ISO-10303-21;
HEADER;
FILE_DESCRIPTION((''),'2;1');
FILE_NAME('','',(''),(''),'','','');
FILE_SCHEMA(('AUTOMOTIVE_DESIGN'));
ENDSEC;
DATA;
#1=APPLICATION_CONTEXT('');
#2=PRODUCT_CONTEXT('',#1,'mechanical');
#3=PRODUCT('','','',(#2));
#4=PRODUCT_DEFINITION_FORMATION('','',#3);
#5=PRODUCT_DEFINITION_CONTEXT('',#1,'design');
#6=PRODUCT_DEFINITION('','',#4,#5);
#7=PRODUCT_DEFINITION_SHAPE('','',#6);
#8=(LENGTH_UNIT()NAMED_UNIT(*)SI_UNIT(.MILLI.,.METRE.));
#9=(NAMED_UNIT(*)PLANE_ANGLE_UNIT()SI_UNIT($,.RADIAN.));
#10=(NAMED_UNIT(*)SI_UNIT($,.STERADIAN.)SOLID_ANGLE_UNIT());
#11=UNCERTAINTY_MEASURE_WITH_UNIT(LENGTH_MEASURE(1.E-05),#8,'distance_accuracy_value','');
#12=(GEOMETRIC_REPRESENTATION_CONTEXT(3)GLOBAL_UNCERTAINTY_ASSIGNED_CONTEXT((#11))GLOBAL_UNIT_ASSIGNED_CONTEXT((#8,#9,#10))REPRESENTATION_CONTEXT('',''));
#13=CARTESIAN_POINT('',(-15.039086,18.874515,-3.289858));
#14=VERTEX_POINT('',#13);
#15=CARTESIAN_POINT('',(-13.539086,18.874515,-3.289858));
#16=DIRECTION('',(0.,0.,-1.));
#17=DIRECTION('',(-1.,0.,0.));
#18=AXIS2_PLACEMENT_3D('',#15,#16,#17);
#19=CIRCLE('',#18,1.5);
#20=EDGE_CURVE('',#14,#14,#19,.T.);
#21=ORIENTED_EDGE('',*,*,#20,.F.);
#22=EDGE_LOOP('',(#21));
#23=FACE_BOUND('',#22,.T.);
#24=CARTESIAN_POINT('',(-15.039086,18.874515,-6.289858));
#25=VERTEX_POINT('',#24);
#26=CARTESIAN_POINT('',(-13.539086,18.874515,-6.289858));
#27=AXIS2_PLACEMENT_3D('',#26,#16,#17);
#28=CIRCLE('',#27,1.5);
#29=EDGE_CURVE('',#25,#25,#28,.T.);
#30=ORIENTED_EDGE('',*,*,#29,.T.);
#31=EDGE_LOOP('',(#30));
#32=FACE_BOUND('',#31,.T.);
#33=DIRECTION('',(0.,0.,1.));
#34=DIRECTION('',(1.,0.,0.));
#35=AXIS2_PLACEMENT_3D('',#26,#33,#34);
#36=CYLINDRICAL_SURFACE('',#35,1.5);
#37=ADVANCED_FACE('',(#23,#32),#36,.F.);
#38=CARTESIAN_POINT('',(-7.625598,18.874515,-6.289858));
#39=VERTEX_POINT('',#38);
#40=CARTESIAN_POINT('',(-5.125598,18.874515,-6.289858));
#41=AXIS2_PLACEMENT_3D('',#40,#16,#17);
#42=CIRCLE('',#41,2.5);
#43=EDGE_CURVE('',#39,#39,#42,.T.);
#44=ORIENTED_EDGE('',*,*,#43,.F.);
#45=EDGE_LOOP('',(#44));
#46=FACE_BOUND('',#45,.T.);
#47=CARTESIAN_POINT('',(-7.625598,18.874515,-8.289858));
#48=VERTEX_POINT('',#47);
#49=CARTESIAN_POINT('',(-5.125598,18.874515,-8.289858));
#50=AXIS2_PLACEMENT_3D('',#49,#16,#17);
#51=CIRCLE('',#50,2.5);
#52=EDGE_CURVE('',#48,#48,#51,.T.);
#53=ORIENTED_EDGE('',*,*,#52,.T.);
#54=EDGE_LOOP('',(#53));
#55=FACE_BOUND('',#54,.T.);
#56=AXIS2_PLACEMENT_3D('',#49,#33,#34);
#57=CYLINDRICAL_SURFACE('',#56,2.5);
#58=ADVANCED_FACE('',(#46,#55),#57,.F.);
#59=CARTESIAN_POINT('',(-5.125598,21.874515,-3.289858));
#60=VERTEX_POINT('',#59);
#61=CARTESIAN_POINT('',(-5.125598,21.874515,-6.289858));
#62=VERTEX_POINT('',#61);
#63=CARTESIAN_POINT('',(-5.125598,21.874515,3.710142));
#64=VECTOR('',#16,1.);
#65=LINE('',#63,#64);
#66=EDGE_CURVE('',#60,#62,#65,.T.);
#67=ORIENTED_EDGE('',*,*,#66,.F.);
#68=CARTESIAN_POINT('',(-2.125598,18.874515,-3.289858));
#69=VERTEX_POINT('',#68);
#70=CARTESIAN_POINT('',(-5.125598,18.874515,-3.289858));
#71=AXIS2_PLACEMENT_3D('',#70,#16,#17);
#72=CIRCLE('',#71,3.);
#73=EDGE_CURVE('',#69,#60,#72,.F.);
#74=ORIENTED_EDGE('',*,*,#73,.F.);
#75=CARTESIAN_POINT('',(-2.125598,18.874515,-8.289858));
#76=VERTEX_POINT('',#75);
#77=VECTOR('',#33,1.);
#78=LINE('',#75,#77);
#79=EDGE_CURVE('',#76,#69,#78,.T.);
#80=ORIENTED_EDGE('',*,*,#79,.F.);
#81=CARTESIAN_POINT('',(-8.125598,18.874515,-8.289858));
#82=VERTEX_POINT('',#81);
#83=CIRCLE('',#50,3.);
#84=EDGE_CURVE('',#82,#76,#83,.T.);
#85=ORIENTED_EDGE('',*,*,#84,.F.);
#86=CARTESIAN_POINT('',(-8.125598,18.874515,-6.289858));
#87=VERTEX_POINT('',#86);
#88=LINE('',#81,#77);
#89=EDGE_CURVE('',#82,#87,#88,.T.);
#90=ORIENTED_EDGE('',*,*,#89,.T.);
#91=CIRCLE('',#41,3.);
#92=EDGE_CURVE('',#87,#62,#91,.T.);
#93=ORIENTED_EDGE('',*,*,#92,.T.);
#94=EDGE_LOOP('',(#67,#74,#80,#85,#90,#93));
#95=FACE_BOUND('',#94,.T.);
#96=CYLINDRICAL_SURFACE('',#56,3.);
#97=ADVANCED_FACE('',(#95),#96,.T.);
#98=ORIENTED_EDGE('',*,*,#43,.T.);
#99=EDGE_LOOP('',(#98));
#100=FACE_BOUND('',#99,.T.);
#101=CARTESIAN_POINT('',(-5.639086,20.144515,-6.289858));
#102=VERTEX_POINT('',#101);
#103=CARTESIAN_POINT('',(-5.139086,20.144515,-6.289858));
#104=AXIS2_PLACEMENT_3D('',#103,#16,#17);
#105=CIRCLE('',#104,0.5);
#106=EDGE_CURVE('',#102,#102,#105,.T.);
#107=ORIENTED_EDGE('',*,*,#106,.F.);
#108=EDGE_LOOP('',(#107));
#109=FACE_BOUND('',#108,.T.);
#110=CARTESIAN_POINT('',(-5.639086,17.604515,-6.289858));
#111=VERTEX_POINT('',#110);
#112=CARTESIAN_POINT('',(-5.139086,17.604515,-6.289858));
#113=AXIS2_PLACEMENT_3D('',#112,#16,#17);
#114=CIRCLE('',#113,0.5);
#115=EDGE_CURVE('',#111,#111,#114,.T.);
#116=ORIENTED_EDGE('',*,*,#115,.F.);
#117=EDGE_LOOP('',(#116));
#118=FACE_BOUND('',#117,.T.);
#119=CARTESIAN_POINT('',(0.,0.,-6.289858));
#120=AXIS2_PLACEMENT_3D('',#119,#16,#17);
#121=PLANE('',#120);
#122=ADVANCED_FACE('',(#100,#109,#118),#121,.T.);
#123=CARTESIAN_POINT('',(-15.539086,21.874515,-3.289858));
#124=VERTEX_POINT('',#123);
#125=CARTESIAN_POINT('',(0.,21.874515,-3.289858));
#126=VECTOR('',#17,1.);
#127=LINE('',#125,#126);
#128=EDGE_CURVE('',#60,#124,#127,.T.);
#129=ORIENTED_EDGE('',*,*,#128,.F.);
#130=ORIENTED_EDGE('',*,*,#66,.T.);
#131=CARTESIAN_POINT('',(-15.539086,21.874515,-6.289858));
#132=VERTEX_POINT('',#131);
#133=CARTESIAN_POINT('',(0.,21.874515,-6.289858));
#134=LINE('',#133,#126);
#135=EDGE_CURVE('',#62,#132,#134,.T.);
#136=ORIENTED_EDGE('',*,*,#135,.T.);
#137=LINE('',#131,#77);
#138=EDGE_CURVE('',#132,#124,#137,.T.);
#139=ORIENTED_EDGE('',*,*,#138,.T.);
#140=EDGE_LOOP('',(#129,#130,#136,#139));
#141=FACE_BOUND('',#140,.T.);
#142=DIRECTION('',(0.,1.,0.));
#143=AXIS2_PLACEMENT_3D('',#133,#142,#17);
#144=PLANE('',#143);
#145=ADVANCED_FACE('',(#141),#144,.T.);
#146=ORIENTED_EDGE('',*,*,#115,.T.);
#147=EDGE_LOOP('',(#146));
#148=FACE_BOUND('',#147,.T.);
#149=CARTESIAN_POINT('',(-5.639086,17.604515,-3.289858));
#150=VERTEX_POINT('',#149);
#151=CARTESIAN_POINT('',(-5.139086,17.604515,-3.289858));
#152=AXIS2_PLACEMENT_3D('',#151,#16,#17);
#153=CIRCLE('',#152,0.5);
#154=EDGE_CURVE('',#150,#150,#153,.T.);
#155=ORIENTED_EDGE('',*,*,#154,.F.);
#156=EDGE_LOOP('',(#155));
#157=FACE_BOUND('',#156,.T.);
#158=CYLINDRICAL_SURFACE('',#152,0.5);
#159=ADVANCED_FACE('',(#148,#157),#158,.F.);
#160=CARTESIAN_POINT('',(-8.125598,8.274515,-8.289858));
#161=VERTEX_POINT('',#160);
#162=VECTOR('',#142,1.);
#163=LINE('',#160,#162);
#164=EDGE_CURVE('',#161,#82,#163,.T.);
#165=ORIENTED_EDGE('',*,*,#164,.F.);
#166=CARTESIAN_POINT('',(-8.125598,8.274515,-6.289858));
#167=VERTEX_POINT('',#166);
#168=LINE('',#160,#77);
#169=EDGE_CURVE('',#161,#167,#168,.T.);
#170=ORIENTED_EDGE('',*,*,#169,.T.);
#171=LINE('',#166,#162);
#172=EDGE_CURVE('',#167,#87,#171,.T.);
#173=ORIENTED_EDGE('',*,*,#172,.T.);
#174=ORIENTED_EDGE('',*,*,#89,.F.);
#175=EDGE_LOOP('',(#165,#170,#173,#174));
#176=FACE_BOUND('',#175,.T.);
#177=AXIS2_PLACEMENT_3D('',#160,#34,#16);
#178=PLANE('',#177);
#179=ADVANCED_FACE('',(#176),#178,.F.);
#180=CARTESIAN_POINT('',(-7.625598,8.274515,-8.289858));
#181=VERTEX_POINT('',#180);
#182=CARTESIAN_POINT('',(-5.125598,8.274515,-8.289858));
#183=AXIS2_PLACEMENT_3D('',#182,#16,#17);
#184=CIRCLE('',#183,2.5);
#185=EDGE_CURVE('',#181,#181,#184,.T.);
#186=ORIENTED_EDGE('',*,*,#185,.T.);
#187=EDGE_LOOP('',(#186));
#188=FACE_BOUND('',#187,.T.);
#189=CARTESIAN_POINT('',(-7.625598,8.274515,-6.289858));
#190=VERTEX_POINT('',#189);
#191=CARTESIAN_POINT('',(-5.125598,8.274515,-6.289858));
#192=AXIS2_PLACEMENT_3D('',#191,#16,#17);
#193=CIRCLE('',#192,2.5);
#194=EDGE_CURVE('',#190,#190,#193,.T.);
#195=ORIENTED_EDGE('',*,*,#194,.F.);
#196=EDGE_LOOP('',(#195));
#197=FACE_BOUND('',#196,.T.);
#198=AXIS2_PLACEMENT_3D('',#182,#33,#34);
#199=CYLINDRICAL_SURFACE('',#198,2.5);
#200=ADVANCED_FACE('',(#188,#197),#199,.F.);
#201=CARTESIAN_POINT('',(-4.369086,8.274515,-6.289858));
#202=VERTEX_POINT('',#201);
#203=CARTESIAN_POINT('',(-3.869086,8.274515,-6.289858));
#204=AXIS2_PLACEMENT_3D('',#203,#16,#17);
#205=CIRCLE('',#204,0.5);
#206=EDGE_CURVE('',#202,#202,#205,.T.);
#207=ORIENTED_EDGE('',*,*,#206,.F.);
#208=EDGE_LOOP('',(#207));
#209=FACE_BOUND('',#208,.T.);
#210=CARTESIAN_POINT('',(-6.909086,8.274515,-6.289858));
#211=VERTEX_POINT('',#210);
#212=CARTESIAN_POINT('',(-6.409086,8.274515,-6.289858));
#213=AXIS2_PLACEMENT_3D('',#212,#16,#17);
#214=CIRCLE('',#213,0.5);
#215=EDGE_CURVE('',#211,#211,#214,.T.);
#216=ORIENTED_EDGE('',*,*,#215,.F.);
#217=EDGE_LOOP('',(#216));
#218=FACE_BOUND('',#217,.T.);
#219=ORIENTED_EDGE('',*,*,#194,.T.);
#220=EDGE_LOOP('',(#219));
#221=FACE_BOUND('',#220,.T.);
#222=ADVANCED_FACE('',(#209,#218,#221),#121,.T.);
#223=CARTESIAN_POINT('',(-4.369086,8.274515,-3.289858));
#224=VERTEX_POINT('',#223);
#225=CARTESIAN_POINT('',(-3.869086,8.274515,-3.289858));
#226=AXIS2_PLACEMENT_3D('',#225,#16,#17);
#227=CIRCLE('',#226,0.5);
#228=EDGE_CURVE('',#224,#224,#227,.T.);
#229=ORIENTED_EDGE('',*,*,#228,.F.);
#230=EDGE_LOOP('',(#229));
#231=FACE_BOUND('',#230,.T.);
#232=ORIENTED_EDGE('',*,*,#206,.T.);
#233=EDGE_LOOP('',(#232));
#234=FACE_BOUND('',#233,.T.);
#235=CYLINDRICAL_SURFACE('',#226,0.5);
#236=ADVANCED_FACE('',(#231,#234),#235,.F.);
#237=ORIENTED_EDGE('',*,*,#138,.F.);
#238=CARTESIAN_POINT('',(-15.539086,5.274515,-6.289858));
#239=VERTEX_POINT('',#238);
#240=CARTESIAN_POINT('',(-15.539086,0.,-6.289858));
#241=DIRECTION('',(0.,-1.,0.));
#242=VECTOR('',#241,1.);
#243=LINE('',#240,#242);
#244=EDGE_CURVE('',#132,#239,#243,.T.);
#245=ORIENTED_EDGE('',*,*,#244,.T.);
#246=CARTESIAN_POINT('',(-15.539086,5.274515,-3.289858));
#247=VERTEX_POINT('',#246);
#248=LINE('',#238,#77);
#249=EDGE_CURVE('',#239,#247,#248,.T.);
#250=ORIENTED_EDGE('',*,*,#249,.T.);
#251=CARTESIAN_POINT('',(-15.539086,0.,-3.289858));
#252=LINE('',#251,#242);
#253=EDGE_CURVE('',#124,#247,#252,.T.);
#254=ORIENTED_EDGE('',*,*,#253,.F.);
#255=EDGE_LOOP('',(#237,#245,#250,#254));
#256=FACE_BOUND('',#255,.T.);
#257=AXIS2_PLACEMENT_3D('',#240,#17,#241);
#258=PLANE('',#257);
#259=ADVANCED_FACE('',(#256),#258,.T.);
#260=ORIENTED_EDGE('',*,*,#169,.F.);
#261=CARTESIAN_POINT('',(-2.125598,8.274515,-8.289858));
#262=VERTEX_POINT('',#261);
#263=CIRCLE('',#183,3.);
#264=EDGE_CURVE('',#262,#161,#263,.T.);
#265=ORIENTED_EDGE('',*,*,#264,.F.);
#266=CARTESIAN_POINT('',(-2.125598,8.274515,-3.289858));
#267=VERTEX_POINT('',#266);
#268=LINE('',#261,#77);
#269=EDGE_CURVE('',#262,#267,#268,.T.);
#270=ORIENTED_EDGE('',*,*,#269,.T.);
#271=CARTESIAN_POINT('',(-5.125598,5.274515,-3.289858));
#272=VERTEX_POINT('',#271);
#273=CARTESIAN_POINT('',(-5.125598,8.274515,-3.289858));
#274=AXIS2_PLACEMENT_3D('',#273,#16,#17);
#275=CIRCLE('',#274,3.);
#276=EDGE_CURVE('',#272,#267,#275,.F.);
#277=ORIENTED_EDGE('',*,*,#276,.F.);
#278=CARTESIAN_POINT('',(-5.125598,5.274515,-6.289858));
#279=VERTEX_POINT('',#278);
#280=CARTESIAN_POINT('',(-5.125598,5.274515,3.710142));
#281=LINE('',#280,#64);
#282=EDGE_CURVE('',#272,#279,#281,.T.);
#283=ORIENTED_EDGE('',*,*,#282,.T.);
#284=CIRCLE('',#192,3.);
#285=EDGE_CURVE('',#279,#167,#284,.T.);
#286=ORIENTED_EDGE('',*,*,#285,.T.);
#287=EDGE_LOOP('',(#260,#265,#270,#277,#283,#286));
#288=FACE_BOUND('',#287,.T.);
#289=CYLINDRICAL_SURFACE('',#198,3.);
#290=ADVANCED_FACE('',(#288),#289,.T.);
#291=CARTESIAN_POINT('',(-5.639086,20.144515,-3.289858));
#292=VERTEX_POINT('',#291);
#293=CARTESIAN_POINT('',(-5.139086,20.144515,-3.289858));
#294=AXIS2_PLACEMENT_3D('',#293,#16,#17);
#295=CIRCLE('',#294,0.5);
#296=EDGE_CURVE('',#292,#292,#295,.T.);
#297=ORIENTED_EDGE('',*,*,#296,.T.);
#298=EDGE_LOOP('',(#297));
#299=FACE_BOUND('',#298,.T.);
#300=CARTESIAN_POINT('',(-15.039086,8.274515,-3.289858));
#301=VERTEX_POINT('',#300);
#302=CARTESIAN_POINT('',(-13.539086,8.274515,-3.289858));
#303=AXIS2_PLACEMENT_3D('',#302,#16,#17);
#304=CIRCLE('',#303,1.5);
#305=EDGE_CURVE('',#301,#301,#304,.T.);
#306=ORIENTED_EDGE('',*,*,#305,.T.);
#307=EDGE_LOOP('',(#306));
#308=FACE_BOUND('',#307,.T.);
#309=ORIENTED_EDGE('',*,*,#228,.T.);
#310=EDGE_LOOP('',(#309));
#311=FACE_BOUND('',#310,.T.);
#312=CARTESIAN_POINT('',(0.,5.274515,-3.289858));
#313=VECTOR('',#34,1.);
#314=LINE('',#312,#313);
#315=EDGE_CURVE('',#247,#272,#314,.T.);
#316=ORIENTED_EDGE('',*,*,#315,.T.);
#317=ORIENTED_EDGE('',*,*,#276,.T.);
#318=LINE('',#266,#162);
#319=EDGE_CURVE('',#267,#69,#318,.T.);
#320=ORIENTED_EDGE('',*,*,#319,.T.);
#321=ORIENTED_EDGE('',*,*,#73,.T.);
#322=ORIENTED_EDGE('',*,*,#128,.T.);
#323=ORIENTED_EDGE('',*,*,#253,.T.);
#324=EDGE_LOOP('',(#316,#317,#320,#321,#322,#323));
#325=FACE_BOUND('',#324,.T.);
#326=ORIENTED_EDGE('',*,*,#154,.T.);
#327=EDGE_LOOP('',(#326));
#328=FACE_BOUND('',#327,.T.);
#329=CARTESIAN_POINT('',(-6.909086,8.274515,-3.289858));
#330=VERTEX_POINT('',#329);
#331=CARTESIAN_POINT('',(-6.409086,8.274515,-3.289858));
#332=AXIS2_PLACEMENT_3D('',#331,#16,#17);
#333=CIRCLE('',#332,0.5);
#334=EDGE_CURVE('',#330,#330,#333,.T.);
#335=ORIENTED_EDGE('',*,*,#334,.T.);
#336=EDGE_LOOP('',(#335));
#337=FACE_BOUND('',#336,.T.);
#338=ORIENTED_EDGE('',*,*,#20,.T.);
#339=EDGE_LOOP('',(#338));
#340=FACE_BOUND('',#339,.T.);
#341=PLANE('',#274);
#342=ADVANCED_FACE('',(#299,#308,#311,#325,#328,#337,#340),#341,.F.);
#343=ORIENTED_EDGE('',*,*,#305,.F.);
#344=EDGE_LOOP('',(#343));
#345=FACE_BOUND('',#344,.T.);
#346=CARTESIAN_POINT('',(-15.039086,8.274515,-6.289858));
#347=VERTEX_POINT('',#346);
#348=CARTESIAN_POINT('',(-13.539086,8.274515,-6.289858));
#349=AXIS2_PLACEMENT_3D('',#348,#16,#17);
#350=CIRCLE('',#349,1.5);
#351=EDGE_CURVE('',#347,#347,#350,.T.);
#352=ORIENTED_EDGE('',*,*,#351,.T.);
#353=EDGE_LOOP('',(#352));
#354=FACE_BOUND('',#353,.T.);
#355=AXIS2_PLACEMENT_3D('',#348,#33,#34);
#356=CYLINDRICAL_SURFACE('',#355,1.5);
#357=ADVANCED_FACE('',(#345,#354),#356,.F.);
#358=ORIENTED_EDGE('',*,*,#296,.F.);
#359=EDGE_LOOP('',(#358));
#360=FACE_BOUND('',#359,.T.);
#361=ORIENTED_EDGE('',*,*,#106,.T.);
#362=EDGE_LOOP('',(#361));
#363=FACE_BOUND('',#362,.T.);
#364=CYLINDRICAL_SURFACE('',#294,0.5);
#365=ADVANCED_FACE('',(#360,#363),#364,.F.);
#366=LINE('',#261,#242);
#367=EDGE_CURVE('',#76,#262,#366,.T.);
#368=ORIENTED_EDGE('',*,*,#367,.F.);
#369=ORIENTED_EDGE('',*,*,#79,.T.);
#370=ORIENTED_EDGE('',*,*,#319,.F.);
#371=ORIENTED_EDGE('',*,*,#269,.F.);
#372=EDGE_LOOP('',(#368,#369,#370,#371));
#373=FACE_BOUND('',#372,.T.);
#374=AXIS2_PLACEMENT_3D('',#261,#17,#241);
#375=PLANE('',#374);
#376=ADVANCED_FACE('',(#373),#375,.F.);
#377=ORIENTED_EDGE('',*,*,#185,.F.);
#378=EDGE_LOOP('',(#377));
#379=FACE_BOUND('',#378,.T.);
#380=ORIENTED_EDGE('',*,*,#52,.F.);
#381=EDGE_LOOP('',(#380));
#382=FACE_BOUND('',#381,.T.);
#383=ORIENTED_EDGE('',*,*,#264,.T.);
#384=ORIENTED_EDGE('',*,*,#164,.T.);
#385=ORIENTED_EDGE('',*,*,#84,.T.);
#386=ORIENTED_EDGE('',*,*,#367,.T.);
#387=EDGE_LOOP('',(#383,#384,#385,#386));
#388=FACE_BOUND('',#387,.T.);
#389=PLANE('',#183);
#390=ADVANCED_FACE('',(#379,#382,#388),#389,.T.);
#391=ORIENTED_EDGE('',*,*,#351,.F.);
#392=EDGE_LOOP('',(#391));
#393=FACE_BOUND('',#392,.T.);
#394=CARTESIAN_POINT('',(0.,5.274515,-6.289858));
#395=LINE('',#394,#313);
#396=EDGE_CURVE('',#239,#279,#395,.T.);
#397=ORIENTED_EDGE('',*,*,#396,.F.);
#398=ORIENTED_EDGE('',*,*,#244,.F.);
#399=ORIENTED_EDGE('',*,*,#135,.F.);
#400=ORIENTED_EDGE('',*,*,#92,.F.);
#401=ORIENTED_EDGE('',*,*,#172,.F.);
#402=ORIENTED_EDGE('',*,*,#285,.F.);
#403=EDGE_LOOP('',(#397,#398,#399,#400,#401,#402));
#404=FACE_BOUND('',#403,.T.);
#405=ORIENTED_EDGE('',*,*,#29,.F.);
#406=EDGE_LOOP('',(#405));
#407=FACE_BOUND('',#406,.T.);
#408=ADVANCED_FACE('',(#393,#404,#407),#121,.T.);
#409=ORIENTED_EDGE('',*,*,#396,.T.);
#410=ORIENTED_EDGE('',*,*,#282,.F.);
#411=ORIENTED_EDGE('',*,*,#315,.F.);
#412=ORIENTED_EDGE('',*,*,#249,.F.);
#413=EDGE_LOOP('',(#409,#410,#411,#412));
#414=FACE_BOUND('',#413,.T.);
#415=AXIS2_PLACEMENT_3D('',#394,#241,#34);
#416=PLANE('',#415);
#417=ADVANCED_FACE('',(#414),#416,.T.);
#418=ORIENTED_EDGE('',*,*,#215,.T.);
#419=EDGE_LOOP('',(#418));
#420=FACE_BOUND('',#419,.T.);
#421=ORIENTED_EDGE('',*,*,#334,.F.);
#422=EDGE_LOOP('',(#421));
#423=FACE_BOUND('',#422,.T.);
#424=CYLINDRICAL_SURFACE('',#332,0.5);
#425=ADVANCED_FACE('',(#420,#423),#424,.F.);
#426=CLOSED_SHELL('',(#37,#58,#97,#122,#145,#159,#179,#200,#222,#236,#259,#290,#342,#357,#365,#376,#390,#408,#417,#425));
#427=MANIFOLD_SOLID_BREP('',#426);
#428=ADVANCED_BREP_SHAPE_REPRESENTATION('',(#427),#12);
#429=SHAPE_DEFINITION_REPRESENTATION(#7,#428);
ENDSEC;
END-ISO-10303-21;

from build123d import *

# Parameters (mm, degrees)
SKETCH1_R               = 2.5
BOSS_EXTRUDE1_DEPTH     = 5
SKETCH2_R               = 2.51348819
BOSS_EXTRUDE2_DEPTH     = 1
BOSS_EXTRUDE3_DEPTH     = 3
CUT_EXTRUDE1_DEPTH      = 28.128538457
CUT_EXTRUDE1_DEPTH_BACK = 28.128538457
SKETCH5_R               = 0.5
CUT_EXTRUDE2_START      = -10
SKETCH6_R               = 1.5
CUT_EXTRUDE2_DEPTH      = 10


with BuildPart() as part:
    # Sketch1 → Boss-Extrude1 (new body)
    with BuildSketch(Plane(origin=(0, 0, -3.289858219), x_dir=(-1, 0, 0), z_dir=(0, 0, -1))):
        with BuildLine():
            Line((2.125597577, 8.274515134), (2.125597577, 18.874515134))
            ThreePointArc((2.125597577, 18.874515134), (5.125597577, 21.874515134), (8.125597577, 18.874515134))
            Line((8.125597577, 18.874515134), (8.125597577, 8.274515134))
            ThreePointArc((8.125597577, 8.274515134), (5.125597577, 5.274515134), (2.125597577, 8.274515134))
        make_face()
        with Locations((5.125597577, 18.874515134)):
            Circle(SKETCH1_R, mode=Mode.SUBTRACT)
        with Locations((5.125597577, 8.274515134)):
            Circle(SKETCH1_R, mode=Mode.SUBTRACT)
    extrude(amount=BOSS_EXTRUDE1_DEPTH)

    # Sketch2 → Boss-Extrude2 (add)
    with BuildSketch(Plane(origin=(0, 0, -3.289858219), x_dir=(-1, 0, 0), z_dir=(0, 0, -1))):
        with Locations((5.139085766, 8.274515134)):
            Circle(SKETCH2_R)
        with Locations((5.139085766, 18.874515134)):
            Circle(SKETCH2_R)
    extrude(amount=BOSS_EXTRUDE2_DEPTH)

    # Sketch4 → Boss-Extrude3 (add)
    with BuildSketch(Plane(origin=(0, 0, -3.289858219), x_dir=(-1, 0, 0), z_dir=(0, 0, -1))):
        with BuildLine():
            Line((-9.960914234, 18.874515134), (-10.460914234, 18.874515134))
            Line((-10.460914234, 18.874515134), (-10.460914234, 8.274515134))
            Line((-10.460914234, 8.274515134), (-9.960914234, 8.274515134))
            ThreePointArc((-9.960914234, 8.274515134), (-8.460914234, 9.774515134), (-6.960914234, 8.274515134))
            Line((-6.960914234, 8.274515134), (5.139085766, 8.274515134))
            Line((5.139085766, 8.274515134), (12.039085766, 8.274515134))
            ThreePointArc((12.039085766, 8.274515134), (13.539085766, 9.774515134), (15.039085766, 8.274515134))
            Line((15.039085766, 8.274515134), (15.539085766, 8.274515134))
            Line((15.539085766, 8.274515134), (15.539085766, 18.874515134))
            Line((15.539085766, 18.874515134), (15.039085766, 18.874515134))
            ThreePointArc((15.039085766, 18.874515134), (13.539085766, 17.374515134), (12.039085766, 18.874515134))
            Line((12.039085766, 18.874515134), (5.139085766, 18.874515134))
            Line((5.139085766, 18.874515134), (-6.960914234, 18.874515134))
            ThreePointArc((-6.960914234, 18.874515134), (-8.460914234, 17.374515134), (-9.960914234, 18.874515134))
        make_face()
        with BuildLine():
            Line((15.539085766, 21.874515134), (5.125597577, 21.874515134))
            Line((5.125597577, 21.874515134), (-10.460914234, 21.874515134))
            Line((-10.460914234, 21.874515134), (-10.460914234, 18.874515134))
            Line((-10.460914234, 18.874515134), (-9.960914234, 18.874515134))
            ThreePointArc((-9.960914234, 18.874515134), (-8.460914234, 20.374515134), (-6.960914234, 18.874515134))
            Line((-6.960914234, 18.874515134), (5.139085766, 18.874515134))
            Line((5.139085766, 18.874515134), (12.039085766, 18.874515134))
            ThreePointArc((12.039085766, 18.874515134), (13.539085766, 20.374515134), (15.039085766, 18.874515134))
            Line((15.039085766, 18.874515134), (15.539085766, 18.874515134))
            Line((15.539085766, 18.874515134), (15.539085766, 21.874515134))
        make_face()
        with BuildLine():
            Line((-9.960914234, 8.274515134), (-10.460914234, 8.274515134))
            Line((-10.460914234, 8.274515134), (-10.460914234, 5.274515134))
            Line((-10.460914234, 5.274515134), (5.125597577, 5.274515134))
            Line((5.125597577, 5.274515134), (15.539085766, 5.274515134))
            Line((15.539085766, 5.274515134), (15.539085766, 8.274515134))
            Line((15.539085766, 8.274515134), (15.039085766, 8.274515134))
            ThreePointArc((15.039085766, 8.274515134), (13.539085766, 6.774515134), (12.039085766, 8.274515134))
            Line((12.039085766, 8.274515134), (5.139085766, 8.274515134))
            Line((5.139085766, 8.274515134), (-6.960914234, 8.274515134))
            ThreePointArc((-6.960914234, 8.274515134), (-8.460914234, 6.774515134), (-9.960914234, 8.274515134))
        make_face()
    extrude(amount=BOSS_EXTRUDE3_DEPTH)

    # Sketch5 → Cut-Extrude1 (cut, two sides: drawn at the far end of the back side and taken through both)
    with BuildSketch(Plane(origin=(0, 0, -4.289858219), x_dir=(-1, 0, 0), z_dir=(0, 0, -1)).offset(-CUT_EXTRUDE1_DEPTH_BACK)):
        with Locations((5.139085766, 20.144515134)):
            Circle(SKETCH5_R)
        with Locations((5.139085766, 17.604515134)):
            Circle(SKETCH5_R)
        with Locations((3.869085766, 8.274515134)):
            Circle(SKETCH5_R)
        with Locations((6.409085766, 8.274515134)):
            Circle(SKETCH5_R)
    extrude(amount=CUT_EXTRUDE1_DEPTH + CUT_EXTRUDE1_DEPTH_BACK, mode=Mode.SUBTRACT)

    # Sketch6 → Cut-Extrude2 (cut)
    with BuildSketch(Plane(origin=(0, 0, -6.289858219), x_dir=(-1, 0, 0), z_dir=(0, 0, -1)).offset(CUT_EXTRUDE2_START)):
        with BuildLine():
            Line((-10.460914234, 5.274515134), (5.125597577, 5.274515134))
            ThreePointArc((5.125597577, 5.274515134), (3.004277233, 6.15319479), (2.125597577, 8.274515134))
            Line((2.125597577, 8.274515134), (2.125597577, 18.874515134))
            ThreePointArc((2.125597577, 18.874515134), (3.004277233, 20.995835477), (5.125597577, 21.874515134))
            Line((5.125597577, 21.874515134), (-10.460914234, 21.874515134))
            Line((-10.460914234, 21.874515134), (-10.460914234, 5.274515134))
        make_face()
        with Locations((-8.460914234, 18.874515134)):
            Circle(SKETCH6_R, mode=Mode.SUBTRACT)
        with Locations((-8.460914234, 8.274515134)):
            Circle(SKETCH6_R, mode=Mode.SUBTRACT)
    extrude(amount=CUT_EXTRUDE2_DEPTH, mode=Mode.SUBTRACT)


solid = part.part
